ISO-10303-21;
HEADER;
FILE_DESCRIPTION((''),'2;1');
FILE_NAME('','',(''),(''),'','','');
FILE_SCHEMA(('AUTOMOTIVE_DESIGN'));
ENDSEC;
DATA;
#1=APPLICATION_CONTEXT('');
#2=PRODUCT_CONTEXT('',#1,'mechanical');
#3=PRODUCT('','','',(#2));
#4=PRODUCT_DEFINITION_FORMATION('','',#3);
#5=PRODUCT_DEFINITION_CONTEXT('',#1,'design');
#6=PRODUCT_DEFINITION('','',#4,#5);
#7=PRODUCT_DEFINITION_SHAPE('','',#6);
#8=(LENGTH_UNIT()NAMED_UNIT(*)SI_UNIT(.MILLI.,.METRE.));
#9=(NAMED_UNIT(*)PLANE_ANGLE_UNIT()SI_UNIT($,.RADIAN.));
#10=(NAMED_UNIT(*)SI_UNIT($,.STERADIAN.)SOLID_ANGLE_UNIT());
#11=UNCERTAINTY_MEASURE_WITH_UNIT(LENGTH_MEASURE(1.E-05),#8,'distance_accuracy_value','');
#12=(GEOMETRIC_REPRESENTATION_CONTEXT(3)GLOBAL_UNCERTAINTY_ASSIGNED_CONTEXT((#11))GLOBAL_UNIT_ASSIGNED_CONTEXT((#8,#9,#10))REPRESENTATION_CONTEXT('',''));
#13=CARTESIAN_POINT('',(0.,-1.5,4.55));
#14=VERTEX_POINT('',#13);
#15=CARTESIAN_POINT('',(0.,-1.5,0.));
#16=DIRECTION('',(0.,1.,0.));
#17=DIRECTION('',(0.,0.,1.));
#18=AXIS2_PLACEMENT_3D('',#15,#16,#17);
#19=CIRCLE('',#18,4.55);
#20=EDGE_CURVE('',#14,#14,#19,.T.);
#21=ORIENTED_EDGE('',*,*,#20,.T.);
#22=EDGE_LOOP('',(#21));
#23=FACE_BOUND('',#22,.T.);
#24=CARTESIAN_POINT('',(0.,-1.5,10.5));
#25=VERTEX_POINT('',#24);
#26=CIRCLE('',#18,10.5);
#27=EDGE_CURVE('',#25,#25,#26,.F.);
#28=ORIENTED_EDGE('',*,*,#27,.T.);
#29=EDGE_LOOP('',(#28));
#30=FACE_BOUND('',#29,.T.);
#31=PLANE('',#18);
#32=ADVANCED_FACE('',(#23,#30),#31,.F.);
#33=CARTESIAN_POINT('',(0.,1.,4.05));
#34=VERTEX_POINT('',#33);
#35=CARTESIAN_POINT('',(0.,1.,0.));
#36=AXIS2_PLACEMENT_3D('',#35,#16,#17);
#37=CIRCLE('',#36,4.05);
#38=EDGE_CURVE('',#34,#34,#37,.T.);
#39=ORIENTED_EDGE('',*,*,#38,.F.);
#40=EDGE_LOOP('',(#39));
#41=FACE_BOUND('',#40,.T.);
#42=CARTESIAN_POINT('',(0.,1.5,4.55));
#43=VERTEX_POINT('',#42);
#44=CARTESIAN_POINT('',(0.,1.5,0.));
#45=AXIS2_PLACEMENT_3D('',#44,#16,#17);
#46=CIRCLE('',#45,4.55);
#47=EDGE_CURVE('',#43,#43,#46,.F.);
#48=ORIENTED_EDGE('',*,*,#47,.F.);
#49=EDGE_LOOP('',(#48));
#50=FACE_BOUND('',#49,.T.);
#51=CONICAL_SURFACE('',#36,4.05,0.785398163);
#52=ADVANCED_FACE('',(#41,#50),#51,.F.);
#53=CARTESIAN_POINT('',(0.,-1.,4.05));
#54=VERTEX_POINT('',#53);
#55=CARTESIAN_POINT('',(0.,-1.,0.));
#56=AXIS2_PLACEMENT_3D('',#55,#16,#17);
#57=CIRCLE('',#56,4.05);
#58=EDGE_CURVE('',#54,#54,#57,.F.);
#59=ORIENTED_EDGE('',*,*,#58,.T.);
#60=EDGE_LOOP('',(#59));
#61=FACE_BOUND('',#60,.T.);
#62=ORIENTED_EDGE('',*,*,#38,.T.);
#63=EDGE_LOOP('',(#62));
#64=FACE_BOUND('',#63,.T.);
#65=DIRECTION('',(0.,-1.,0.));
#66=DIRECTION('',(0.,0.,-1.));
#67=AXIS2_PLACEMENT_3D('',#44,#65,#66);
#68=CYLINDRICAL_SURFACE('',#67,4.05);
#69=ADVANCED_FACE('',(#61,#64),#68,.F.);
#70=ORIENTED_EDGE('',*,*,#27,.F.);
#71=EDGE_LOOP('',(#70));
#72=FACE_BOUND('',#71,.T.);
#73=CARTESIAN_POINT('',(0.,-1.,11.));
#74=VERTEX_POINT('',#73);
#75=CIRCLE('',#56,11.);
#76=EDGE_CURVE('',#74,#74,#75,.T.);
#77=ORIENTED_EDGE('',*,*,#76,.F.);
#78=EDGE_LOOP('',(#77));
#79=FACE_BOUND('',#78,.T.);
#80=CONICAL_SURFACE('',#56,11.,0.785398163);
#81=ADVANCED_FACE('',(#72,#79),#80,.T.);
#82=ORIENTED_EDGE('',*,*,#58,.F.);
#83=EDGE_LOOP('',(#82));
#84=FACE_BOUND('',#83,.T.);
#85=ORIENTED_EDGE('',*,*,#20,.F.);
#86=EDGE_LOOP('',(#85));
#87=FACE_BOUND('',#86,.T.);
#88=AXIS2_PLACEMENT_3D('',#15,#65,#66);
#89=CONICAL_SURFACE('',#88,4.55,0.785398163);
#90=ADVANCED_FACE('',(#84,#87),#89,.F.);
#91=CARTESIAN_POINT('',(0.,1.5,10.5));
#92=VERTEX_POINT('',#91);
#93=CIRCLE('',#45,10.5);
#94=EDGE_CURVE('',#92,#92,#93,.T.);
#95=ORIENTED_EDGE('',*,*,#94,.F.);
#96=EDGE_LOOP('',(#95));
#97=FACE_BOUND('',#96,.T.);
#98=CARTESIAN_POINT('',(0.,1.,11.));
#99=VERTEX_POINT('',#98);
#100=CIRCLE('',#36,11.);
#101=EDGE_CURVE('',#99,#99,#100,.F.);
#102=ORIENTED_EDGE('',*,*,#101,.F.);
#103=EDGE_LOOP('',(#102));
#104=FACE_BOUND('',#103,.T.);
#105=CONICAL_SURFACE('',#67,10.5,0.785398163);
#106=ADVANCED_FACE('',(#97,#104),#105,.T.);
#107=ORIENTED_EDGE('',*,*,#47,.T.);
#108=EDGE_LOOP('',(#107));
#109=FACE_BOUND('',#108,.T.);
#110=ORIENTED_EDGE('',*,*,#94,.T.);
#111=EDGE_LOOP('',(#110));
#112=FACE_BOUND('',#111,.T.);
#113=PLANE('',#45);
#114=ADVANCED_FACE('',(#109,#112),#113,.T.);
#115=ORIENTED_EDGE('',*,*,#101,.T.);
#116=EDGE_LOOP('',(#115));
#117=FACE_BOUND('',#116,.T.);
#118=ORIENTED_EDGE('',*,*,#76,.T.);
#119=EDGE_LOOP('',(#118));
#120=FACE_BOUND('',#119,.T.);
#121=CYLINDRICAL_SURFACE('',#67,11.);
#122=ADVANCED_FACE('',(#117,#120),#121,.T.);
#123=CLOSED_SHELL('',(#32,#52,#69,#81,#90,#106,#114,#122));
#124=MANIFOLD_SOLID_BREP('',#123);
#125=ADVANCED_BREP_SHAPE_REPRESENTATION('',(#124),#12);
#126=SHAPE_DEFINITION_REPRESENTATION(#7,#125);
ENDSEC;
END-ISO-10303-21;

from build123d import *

# Parameters (mm, degrees)
SKETCH1_R           = 11
SKETCH1_R_2         = 4.05
BOSS_EXTRUDE1_DEPTH = 1.5
CHAMFER1_SIZE       = 0.5


with BuildPart() as part:
    # Sketch1 → Boss-Extrude1 (new, symmetric)
    with BuildSketch(Plane(origin=(0, 0, 0), x_dir=(1, 0, 0), z_dir=(0, 1, 0))):
        with Locations(Location((0, 0, 0), (0, 0, 270))):
            Circle(SKETCH1_R)
        with Locations(Location((0, 0, 0), (0, 0, 270))):
            Circle(SKETCH1_R_2, mode=Mode.SUBTRACT)
    extrude(amount=BOSS_EXTRUDE1_DEPTH, both=True)

    # Chamfer1
    chamfer1_edges = [part.edges().sort_by_distance(p)[0] for p in [
        (0, -1.5, -11),
        (0, 1.5, -11),
        (0, -1.5, -4.05),
        (0, 1.5, -4.05),
    ]]
    chamfer(chamfer1_edges, length=CHAMFER1_SIZE)


solid = part.part
